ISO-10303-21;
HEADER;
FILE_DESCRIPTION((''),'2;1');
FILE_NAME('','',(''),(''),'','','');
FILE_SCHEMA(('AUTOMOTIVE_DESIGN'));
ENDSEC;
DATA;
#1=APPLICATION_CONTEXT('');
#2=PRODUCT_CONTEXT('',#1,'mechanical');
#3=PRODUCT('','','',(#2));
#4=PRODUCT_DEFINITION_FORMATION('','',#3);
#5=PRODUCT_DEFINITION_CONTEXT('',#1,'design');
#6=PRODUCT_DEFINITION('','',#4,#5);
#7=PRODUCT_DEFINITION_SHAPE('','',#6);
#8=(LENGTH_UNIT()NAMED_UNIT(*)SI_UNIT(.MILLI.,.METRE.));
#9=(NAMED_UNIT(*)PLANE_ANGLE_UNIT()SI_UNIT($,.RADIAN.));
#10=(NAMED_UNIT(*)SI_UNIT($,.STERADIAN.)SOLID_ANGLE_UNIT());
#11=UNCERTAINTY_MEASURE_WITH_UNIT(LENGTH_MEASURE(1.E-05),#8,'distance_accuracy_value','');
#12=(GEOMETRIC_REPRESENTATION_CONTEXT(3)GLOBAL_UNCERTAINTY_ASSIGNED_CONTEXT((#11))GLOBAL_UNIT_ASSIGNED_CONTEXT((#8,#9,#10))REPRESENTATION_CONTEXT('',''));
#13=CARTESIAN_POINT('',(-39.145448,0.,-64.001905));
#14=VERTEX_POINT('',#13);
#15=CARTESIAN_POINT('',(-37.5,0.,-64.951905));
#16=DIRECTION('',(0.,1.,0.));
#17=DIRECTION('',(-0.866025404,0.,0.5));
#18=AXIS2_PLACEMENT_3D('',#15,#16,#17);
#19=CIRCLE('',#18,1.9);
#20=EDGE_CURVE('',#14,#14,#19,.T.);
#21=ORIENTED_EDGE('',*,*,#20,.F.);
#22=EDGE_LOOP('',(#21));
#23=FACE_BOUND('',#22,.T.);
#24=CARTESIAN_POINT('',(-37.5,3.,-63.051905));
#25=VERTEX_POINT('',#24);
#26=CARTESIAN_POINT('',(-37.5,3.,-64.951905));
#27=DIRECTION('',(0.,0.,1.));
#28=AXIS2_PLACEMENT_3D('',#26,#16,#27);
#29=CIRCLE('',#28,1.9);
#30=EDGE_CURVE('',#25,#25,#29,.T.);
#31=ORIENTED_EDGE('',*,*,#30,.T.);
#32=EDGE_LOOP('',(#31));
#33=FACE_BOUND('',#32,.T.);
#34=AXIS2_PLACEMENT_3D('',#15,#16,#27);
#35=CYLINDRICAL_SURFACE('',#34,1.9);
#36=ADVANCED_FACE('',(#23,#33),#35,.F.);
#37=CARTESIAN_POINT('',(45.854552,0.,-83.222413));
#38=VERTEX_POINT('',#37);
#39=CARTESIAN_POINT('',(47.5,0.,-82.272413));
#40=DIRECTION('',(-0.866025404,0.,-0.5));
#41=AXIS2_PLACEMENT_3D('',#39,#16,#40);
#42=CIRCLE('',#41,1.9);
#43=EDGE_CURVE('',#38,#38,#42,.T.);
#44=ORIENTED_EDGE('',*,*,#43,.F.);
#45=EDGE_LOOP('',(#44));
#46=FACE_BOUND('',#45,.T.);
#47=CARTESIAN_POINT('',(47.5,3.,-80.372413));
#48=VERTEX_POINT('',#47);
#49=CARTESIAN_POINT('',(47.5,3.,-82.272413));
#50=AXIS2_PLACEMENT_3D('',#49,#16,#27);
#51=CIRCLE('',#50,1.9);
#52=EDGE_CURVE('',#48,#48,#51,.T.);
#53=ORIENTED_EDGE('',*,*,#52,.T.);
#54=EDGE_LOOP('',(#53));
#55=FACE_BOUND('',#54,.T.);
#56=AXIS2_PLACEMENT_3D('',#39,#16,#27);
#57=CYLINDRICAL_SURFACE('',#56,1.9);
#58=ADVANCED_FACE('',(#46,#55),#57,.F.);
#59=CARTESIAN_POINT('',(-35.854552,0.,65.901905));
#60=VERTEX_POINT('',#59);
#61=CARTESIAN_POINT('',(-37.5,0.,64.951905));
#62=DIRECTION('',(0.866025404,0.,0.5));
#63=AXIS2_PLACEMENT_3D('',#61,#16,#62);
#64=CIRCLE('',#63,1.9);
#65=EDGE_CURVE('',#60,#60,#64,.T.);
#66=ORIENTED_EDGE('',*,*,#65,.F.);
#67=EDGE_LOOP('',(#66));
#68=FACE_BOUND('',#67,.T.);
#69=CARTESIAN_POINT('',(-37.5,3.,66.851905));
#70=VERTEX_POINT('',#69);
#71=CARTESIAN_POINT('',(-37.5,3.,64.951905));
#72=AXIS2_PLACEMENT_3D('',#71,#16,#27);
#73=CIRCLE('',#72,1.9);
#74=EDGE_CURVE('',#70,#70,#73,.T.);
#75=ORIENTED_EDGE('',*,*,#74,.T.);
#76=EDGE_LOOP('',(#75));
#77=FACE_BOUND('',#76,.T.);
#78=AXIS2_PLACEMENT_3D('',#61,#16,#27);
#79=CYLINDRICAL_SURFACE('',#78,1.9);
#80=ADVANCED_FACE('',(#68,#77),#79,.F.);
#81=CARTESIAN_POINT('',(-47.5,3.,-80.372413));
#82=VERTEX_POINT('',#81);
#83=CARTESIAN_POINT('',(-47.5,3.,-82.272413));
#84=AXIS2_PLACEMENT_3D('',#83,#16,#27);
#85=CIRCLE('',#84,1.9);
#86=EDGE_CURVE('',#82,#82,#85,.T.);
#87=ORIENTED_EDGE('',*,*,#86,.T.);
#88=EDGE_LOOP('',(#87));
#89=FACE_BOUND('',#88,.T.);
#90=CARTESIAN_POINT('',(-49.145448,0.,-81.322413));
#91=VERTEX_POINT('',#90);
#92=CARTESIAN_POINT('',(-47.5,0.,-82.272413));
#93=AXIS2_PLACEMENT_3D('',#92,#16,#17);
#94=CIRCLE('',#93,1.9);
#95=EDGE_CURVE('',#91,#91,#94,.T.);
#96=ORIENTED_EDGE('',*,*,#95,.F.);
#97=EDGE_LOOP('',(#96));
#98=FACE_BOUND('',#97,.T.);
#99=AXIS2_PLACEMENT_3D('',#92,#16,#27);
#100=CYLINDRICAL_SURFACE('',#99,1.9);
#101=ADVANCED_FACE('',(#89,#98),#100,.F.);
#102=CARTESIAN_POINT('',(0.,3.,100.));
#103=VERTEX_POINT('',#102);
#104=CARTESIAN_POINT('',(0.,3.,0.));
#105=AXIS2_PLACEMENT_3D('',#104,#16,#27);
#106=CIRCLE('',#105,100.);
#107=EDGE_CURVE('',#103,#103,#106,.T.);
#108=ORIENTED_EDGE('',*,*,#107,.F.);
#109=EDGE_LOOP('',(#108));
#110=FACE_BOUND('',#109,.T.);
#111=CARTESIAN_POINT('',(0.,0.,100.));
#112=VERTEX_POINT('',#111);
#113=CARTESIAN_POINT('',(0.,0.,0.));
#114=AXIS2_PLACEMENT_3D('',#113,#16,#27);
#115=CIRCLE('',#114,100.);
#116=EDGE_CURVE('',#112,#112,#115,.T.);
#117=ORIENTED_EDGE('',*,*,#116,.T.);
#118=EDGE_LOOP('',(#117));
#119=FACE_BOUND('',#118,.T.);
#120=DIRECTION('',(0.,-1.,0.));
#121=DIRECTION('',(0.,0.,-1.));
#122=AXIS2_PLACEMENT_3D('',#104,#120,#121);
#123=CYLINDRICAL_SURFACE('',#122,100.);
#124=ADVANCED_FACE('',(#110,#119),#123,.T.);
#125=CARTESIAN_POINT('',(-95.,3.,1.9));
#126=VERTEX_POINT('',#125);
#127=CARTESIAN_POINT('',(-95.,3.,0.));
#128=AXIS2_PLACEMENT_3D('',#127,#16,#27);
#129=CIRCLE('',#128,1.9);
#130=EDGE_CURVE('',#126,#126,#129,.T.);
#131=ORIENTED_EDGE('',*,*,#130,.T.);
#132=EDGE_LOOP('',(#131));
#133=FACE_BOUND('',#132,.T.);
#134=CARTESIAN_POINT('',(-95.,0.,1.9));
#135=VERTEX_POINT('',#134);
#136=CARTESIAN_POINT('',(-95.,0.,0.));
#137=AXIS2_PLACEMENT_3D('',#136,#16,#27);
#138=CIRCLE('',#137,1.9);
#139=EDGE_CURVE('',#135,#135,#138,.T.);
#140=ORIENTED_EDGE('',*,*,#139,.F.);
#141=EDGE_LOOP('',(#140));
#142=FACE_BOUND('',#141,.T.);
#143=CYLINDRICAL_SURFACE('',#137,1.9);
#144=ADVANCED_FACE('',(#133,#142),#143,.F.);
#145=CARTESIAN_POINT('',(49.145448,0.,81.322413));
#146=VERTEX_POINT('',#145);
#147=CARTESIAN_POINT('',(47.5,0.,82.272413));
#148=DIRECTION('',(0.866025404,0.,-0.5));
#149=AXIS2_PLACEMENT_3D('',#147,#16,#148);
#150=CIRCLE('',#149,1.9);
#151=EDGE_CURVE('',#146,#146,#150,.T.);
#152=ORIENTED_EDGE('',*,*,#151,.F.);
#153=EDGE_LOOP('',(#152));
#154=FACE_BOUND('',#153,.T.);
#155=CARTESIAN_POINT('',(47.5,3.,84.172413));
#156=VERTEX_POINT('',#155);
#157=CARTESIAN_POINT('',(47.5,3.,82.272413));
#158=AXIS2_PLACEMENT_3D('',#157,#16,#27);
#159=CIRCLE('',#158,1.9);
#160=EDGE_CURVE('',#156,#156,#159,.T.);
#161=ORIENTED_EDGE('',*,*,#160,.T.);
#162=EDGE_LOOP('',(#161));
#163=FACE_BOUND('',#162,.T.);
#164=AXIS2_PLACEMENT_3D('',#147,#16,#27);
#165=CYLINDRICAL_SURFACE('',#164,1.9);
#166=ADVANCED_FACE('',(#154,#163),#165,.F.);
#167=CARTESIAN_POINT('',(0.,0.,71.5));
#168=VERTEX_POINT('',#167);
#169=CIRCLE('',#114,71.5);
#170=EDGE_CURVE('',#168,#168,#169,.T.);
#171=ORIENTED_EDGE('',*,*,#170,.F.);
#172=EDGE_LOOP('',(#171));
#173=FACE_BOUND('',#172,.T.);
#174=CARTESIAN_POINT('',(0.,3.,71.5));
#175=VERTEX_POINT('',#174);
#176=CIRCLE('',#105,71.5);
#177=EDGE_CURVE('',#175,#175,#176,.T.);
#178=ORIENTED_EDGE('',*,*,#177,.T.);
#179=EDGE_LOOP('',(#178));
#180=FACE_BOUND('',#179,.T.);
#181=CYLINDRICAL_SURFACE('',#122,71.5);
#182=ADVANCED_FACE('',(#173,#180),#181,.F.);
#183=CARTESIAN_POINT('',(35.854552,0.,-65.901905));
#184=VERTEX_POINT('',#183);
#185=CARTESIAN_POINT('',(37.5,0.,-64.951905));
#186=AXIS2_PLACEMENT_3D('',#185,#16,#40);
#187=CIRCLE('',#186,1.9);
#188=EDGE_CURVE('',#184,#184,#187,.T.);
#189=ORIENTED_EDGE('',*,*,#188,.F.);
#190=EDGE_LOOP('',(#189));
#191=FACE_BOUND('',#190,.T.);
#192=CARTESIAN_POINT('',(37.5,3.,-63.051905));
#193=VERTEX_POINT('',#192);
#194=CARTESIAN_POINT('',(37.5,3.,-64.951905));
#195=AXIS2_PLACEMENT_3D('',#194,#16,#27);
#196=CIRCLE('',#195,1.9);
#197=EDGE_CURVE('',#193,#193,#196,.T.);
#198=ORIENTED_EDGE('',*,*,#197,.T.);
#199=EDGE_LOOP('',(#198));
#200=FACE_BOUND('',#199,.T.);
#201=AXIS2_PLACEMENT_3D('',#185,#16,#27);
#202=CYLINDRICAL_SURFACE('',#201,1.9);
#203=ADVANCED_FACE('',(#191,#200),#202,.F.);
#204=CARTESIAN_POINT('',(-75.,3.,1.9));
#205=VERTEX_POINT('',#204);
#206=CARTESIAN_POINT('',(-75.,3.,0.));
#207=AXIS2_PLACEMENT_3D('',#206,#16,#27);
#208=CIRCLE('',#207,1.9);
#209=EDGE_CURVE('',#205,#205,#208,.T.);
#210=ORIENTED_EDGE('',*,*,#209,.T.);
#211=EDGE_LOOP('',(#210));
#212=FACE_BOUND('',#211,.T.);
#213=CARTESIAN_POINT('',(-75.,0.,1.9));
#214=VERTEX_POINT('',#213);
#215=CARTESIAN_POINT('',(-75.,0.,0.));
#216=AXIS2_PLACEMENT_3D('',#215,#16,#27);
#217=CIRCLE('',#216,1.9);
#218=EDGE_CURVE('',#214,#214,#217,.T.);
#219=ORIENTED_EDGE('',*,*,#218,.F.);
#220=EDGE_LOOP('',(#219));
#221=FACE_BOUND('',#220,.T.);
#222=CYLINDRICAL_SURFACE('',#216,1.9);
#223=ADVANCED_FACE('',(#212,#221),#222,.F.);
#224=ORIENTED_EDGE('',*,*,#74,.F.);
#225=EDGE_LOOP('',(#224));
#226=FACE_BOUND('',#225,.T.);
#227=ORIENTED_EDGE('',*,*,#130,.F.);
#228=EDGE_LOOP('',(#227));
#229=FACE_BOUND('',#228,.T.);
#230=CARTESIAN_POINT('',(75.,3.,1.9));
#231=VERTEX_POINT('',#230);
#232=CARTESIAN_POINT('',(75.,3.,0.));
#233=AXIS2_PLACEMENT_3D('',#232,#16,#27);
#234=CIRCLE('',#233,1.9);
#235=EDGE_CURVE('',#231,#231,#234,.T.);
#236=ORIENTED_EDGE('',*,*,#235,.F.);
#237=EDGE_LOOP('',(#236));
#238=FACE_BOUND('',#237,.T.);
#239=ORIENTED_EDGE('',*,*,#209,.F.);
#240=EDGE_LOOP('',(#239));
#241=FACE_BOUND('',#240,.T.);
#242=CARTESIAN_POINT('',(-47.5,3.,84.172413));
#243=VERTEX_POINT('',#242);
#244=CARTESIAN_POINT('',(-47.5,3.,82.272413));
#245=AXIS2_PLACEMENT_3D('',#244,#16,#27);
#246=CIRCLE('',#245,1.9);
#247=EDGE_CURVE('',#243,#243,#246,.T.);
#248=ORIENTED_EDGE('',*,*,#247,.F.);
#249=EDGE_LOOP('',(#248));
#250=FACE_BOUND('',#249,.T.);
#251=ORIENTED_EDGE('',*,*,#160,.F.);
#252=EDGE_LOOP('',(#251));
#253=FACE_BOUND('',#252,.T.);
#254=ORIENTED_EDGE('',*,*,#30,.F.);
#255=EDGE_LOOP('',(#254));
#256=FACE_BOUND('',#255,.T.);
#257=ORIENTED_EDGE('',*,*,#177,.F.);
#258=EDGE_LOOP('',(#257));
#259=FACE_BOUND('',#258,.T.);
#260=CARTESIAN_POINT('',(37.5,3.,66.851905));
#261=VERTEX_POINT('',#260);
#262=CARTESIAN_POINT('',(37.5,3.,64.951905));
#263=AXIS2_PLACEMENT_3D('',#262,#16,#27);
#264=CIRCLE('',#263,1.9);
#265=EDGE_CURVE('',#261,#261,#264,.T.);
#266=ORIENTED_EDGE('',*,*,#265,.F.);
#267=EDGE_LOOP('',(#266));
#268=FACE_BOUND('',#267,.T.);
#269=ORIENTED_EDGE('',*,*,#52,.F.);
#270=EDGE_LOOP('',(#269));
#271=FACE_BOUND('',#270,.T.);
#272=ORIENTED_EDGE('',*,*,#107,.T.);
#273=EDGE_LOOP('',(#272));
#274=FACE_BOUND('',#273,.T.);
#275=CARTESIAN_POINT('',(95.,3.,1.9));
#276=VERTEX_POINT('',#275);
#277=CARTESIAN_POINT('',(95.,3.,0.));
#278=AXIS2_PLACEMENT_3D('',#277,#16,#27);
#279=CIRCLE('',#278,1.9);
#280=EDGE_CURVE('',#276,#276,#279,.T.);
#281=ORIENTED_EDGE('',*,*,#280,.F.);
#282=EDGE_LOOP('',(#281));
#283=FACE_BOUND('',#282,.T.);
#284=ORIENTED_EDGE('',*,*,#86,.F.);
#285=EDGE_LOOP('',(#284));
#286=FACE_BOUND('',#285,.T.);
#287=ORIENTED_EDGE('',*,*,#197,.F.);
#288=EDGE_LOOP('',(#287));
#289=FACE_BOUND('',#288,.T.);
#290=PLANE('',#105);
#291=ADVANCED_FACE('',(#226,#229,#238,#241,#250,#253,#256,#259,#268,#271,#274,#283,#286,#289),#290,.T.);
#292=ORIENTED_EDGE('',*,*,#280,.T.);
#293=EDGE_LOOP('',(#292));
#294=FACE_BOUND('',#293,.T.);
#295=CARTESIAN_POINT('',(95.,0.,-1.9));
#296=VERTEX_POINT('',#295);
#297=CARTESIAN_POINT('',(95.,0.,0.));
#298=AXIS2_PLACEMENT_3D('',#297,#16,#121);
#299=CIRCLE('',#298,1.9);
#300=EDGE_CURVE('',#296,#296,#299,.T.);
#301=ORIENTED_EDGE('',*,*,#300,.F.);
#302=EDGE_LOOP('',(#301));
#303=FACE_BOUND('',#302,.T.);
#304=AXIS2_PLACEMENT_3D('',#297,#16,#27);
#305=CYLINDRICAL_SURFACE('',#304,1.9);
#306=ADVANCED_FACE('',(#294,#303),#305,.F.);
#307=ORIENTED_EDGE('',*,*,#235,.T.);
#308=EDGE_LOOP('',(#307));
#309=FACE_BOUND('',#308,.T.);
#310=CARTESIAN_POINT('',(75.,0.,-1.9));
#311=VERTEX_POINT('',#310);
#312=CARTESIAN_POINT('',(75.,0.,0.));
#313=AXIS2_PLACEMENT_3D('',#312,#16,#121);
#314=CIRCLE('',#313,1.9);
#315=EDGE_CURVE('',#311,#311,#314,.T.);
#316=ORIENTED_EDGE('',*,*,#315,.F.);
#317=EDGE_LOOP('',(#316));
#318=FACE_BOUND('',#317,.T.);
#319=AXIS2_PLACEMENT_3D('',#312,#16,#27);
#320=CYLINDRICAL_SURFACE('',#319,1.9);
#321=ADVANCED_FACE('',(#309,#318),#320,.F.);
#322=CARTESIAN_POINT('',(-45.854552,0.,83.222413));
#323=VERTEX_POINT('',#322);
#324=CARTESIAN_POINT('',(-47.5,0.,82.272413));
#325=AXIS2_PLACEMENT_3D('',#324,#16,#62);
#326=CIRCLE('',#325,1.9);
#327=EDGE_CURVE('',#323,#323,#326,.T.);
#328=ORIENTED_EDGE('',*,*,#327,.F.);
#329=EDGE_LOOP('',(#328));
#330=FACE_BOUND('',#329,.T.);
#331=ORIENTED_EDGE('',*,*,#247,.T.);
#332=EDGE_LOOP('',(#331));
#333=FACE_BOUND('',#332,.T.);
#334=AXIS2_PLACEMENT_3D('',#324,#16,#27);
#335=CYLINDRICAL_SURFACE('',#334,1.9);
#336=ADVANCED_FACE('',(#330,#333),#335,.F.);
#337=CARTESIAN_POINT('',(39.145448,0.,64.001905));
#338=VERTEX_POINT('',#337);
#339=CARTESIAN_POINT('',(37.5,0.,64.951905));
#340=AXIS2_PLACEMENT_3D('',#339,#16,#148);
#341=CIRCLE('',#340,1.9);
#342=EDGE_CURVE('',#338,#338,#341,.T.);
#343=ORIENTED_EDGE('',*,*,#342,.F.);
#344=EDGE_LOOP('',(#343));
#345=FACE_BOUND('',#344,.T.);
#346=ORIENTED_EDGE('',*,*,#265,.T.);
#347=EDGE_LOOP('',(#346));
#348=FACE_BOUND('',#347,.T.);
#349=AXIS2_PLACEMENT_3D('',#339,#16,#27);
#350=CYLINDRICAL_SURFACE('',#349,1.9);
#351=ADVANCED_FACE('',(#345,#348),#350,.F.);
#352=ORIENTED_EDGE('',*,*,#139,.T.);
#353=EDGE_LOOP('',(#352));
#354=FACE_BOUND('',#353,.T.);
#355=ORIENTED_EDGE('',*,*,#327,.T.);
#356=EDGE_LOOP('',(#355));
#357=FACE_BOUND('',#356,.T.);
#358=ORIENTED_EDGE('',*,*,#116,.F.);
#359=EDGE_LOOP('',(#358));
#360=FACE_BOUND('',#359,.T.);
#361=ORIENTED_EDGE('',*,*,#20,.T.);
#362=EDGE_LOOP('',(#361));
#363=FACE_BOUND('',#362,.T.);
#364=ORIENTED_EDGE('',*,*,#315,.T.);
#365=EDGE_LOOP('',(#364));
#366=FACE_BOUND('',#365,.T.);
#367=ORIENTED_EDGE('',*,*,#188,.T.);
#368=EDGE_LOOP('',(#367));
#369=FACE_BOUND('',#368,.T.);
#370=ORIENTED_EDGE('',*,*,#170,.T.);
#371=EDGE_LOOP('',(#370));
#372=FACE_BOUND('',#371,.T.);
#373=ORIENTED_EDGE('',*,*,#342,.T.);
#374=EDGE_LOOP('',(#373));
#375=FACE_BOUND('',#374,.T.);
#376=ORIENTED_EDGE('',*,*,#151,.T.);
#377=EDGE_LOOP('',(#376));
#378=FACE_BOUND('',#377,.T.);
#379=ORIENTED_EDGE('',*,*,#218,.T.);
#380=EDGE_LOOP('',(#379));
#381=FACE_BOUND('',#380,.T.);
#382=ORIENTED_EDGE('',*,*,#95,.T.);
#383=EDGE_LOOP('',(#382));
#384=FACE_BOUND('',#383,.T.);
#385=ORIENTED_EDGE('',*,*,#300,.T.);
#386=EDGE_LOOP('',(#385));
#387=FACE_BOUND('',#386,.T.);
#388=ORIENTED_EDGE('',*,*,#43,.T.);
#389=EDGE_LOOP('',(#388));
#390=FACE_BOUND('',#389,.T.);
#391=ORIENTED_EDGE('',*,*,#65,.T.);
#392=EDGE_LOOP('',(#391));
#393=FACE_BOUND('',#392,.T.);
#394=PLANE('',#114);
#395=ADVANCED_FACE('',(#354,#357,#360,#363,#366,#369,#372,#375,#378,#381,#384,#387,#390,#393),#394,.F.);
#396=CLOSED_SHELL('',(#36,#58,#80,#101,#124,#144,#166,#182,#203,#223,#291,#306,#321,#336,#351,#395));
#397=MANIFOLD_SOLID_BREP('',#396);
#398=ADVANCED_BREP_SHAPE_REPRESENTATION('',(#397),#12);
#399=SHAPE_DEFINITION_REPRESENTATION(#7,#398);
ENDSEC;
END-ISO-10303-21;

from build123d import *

# Parameters (mm, degrees)
IZIM1_R                     = 100
IZIM1_R_2                   = 71.5
Y_KSEKLIK_EKSTR_ZYON1_DEPTH = 3
IZIM2_R                     = 1.9
KES_EKSTR_ZYON1_DEPTH       = 142.453172464
DAIRESEL_KAPLAMA1_COUNT     = 6


with BuildPart() as part:
    # Çizim1 → Yükseklik-Ekstrüzyon1 (new body)
    with BuildSketch(Plane(origin=(0, 0, 0), x_dir=(1, 0, 0), z_dir=(0, 1, 0))):
        with Locations(Location((0, 0, 0), (0, 0, 270))):
            Circle(IZIM1_R)
        with Locations(Location((0, 0, 0), (0, 0, 270))):
            Circle(IZIM1_R_2, mode=Mode.SUBTRACT)
    extrude(amount=Y_KSEKLIK_EKSTR_ZYON1_DEPTH)

    # Çizim2 → Kes-Ekstrüzyon1 (cut, symmetric)
    with BuildSketch(Plane(origin=(0, 3, 0), x_dir=(1, 0, 0), z_dir=(0, 1, 0))):
        with Locations(Location((-95, 0, 0), (0, 0, 270))):
            Circle(IZIM2_R)
        with Locations(Location((-75, 0, 0), (0, 0, 270))):
            Circle(IZIM2_R)
    kes_ekstr_zyon1 = extrude(amount=KES_EKSTR_ZYON1_DEPTH, both=True, mode=Mode.SUBTRACT)

    # Dairesel Kaplama1: Kes-Ekstrüzyon1 ×6 about axis
    dairesel_kaplama1_axis = Axis((0, 0, 0), (0, 1, 0))
    for i in range(1, DAIRESEL_KAPLAMA1_COUNT):
        add(kes_ekstr_zyon1.rotate(dairesel_kaplama1_axis, i * 360 / DAIRESEL_KAPLAMA1_COUNT), mode=Mode.SUBTRACT)


solid = part.part
